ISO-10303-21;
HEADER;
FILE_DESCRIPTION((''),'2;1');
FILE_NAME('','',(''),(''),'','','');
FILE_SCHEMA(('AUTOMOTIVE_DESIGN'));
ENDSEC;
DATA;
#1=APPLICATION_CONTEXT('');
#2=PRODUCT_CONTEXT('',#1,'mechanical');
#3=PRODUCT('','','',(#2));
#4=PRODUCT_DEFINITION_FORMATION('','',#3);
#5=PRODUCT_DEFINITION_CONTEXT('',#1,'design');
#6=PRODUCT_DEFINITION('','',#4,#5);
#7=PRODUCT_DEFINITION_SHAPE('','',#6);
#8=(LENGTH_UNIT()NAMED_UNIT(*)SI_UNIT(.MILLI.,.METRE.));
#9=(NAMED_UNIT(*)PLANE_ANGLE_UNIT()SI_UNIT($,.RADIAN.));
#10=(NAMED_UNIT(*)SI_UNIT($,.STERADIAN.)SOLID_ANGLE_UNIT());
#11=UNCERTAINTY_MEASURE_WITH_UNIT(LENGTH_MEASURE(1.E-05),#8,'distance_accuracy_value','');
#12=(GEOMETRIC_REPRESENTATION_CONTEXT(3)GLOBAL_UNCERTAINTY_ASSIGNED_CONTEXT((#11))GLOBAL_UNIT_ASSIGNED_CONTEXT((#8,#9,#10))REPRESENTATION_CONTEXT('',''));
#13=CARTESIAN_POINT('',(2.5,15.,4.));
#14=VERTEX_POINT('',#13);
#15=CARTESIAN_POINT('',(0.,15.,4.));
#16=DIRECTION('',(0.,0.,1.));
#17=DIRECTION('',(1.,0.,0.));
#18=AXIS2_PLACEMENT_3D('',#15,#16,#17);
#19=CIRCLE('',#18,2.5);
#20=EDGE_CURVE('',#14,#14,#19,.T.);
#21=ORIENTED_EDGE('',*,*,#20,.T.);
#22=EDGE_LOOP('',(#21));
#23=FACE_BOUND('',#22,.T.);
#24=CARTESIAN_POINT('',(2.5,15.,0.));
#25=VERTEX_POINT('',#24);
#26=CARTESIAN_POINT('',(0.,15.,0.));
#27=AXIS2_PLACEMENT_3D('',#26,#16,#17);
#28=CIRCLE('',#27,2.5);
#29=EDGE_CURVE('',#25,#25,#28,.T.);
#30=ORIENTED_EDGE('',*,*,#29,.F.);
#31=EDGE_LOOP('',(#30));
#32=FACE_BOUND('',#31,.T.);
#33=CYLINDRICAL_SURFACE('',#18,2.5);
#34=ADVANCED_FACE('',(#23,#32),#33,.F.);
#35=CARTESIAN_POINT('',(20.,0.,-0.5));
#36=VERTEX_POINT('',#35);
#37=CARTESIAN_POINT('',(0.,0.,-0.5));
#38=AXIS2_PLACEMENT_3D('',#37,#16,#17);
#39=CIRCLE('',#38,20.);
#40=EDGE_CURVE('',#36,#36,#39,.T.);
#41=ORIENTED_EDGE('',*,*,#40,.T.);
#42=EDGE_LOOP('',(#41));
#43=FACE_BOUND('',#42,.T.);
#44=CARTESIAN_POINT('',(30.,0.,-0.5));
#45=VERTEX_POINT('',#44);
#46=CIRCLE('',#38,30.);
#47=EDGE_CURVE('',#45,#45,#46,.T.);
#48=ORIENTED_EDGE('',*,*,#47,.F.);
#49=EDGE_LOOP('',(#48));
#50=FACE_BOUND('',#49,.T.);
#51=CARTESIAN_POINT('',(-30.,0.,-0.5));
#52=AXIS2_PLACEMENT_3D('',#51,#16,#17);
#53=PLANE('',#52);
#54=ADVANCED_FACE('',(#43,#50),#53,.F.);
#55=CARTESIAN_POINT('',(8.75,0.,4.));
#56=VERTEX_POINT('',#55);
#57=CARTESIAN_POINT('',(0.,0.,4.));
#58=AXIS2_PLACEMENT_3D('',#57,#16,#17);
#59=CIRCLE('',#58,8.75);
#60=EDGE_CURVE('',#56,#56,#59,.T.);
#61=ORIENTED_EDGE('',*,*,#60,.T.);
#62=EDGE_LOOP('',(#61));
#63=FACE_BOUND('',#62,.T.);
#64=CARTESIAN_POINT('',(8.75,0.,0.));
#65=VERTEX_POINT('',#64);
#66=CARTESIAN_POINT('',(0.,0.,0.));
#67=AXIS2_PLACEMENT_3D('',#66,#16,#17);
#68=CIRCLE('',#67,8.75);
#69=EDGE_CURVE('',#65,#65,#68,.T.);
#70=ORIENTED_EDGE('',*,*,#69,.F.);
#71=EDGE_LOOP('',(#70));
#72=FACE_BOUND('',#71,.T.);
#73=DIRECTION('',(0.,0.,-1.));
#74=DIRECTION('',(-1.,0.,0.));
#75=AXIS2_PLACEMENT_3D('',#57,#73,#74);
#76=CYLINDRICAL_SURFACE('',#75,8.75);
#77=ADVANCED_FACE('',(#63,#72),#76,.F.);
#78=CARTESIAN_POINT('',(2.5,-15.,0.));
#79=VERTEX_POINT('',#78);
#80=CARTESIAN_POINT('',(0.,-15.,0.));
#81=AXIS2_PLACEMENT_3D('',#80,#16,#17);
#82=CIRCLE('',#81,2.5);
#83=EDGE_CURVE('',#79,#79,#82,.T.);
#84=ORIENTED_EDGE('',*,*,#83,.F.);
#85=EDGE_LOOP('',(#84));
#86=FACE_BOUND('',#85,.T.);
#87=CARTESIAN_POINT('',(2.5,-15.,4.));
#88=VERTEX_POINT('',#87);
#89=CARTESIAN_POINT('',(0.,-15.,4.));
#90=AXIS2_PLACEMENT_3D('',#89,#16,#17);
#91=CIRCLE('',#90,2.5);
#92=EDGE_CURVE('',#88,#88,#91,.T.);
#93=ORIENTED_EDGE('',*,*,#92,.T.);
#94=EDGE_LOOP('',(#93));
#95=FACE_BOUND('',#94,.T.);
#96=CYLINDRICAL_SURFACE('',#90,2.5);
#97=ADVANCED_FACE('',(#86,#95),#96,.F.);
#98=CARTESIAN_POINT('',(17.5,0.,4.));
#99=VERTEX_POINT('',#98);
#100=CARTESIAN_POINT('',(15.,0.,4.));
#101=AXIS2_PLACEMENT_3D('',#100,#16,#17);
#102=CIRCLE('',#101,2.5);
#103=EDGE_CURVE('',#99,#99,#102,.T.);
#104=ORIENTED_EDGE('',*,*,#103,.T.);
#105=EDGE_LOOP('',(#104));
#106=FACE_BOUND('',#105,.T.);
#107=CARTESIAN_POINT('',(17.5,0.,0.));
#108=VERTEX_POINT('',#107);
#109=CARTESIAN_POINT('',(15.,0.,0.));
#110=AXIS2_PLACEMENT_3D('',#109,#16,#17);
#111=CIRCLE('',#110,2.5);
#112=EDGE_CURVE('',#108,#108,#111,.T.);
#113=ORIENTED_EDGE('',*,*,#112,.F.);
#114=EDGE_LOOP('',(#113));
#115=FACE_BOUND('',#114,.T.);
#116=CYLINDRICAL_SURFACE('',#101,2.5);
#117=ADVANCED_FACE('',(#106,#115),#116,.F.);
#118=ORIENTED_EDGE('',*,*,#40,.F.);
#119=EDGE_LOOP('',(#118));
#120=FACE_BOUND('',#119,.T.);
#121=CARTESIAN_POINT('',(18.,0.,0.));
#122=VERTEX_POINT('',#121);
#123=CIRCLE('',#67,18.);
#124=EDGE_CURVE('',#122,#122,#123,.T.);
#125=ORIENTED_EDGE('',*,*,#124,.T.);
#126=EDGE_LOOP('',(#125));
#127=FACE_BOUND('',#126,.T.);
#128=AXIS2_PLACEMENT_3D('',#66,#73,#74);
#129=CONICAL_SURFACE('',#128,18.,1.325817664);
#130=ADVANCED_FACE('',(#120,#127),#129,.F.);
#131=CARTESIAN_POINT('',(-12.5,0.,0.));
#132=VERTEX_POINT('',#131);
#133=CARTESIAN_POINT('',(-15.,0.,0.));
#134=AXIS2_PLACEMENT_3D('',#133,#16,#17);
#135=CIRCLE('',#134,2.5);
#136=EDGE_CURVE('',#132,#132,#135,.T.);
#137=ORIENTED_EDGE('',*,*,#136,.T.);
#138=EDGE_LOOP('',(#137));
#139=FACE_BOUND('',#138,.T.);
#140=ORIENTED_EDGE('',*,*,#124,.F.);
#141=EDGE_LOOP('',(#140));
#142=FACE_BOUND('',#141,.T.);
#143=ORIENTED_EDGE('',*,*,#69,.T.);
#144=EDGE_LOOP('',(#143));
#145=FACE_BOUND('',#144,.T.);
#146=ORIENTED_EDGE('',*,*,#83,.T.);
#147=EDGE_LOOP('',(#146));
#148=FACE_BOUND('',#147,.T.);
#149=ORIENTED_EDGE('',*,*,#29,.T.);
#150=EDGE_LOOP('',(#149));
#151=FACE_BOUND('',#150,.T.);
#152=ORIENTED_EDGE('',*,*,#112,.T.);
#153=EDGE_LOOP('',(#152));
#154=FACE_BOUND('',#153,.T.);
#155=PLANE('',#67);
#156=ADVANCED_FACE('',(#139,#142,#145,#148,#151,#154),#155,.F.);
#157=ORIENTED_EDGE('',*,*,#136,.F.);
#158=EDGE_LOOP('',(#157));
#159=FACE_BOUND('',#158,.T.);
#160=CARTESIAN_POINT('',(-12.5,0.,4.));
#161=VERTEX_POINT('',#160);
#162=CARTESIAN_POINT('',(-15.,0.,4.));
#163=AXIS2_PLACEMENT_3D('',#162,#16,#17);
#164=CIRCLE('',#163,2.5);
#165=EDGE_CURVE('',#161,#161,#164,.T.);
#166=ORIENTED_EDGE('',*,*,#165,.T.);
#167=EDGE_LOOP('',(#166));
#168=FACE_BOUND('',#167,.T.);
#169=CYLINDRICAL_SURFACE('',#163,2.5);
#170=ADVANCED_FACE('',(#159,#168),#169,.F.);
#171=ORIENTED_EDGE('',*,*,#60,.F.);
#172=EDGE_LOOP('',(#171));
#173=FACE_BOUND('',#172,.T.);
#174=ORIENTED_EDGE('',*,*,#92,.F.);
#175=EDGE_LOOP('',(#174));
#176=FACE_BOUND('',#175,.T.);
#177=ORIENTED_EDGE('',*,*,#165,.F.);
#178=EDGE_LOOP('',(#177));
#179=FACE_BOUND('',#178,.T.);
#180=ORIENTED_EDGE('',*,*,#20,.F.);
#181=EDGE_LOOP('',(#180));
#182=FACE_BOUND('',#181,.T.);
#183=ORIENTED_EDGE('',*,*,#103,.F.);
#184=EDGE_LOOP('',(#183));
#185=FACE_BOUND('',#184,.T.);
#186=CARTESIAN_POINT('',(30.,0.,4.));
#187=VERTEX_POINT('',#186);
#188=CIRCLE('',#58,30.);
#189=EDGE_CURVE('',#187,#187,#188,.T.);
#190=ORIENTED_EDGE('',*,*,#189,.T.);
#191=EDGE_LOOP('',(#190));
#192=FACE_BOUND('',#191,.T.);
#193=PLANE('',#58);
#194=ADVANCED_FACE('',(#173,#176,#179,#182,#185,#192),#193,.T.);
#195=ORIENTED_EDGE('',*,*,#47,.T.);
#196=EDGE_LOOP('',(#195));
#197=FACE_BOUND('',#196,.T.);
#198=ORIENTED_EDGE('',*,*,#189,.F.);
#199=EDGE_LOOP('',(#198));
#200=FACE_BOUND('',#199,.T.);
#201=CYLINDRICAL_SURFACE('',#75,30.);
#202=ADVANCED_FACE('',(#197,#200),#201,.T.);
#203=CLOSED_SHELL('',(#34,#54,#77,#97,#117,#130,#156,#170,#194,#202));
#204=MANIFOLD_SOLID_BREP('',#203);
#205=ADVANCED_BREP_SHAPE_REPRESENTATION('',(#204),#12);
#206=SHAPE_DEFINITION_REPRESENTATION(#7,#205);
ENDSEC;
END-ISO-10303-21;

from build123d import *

# Parameters (mm, degrees)
SKETCH_1_R         = 30
SKETCH_1_R_2       = 8.75
EXTRUDE_1_DEPTH    = 4
HOLE_WIZARD_M6_1_D = 5


with BuildPart() as part:
    # 草图1 → 凸台-拉伸1 (new body)
    with BuildSketch(Plane.XY):
        Circle(SKETCH_1_R)
        Circle(SKETCH_1_R_2, mode=Mode.SUBTRACT)
    extrude(amount=EXTRUDE_1_DEPTH)

    # 草图4 → 旋转1 (revolve)
    with BuildSketch(Plane(origin=(0, 0, 0), x_dir=(1, 0, 0), z_dir=(0, 1, 0)), mode=Mode.PRIVATE) as revolve_1_sk:
        Polygon((-30, 0), (-30, 0.5), (-20, 0.5), (-18, 0), align=None)
    revolve(revolve_1_sk.sketch.rotate(Axis((0, 0, 0), (0, 0, -1)), 180), axis=Axis((0, 0, 0), (0, 0, -1)))

    # M6 螺纹孔1 (through all)
    with Locations(Plane.XY.offset(4)):
        with Locations((0, 15), (15, 0), (0, -15), (-15, 0)):
            Hole(HOLE_WIZARD_M6_1_D / 2)


solid = part.part
